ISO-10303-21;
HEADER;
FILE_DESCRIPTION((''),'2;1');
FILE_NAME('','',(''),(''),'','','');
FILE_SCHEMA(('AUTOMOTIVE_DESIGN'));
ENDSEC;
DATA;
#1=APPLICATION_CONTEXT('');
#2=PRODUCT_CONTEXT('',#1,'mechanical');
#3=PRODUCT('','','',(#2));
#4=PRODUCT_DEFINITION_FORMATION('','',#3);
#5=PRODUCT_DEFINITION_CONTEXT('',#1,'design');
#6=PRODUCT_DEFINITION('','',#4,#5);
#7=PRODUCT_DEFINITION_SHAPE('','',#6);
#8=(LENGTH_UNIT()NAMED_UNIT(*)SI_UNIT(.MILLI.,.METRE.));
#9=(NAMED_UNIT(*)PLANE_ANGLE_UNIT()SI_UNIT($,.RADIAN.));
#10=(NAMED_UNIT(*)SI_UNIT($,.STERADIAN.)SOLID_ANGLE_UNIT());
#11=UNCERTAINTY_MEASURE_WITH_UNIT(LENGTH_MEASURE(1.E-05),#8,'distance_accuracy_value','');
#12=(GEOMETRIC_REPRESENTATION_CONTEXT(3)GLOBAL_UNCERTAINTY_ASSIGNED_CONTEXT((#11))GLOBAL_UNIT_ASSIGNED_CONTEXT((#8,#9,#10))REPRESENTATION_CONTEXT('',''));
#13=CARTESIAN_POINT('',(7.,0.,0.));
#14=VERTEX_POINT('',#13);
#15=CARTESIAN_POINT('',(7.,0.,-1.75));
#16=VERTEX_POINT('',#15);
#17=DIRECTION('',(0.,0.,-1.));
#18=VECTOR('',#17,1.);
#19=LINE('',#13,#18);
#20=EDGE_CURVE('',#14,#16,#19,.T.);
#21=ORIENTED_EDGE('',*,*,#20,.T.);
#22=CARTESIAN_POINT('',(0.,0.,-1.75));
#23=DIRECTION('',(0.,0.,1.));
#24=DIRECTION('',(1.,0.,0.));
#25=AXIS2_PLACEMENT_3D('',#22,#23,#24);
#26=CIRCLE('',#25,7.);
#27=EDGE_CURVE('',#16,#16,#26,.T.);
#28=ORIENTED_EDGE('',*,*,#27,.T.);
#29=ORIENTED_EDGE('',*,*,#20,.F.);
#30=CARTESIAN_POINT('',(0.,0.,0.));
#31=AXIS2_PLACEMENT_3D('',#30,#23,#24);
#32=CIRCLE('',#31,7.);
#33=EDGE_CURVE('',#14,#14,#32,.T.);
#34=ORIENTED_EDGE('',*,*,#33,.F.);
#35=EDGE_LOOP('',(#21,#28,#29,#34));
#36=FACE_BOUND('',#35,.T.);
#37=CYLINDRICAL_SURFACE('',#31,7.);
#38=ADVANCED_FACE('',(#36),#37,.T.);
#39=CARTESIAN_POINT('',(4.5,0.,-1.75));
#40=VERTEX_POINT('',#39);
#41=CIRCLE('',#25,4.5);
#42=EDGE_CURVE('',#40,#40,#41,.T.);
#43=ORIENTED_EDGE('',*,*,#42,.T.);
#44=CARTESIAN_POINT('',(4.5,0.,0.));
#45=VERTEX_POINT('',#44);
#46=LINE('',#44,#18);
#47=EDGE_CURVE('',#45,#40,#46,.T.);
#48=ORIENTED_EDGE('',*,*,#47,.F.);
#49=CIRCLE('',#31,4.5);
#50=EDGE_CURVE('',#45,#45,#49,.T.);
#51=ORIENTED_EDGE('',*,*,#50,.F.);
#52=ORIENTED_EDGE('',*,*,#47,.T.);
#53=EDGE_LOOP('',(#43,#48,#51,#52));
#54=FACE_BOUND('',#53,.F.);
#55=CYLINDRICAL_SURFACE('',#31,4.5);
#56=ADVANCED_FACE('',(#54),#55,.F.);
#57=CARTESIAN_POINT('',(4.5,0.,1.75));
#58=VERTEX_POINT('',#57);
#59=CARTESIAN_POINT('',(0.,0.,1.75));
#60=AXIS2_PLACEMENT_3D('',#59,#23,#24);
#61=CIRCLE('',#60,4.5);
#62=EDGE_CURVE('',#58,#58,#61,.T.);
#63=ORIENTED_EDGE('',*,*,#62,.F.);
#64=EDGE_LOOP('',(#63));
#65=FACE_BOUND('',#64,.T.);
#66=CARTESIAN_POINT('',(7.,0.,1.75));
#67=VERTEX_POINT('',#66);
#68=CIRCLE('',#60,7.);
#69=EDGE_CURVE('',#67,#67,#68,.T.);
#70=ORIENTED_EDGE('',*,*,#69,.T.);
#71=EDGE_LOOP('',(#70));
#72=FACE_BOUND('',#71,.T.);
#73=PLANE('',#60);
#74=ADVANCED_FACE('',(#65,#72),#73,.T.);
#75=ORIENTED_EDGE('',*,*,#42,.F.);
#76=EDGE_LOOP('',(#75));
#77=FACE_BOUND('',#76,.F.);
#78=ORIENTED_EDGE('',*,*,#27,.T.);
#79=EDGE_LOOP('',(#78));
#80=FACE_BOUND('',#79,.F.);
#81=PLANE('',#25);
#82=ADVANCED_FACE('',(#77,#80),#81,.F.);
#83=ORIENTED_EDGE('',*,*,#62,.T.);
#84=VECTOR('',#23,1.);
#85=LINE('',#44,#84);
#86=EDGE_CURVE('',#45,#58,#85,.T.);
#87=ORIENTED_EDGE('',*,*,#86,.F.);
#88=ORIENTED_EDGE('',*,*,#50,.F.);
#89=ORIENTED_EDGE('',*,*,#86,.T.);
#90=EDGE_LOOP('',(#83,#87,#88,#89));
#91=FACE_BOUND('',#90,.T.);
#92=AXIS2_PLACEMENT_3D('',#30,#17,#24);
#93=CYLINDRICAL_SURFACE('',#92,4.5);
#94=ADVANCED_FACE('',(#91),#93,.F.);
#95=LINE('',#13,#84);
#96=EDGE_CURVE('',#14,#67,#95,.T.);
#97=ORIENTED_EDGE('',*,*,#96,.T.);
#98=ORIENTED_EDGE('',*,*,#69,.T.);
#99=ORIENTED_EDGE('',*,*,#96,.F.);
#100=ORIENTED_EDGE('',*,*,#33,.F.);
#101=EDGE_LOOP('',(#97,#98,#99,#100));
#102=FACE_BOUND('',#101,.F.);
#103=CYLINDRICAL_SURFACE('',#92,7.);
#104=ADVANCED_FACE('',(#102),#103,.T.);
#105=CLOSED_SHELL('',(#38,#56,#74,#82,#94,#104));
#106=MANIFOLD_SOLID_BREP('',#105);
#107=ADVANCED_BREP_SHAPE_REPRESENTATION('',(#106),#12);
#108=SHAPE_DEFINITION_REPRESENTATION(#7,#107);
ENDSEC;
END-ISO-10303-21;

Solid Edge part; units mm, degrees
sketch "Sketch1" plane through (0, 0, 0) normal (0, 0, 1) x (1, 0, 0)
  circle A0 centre (0, 0) radius 4.5
  circle A1 centre (0, 0) radius 7
  dimension "D1" = 14
  dimension "D2" = 9
extrude "Protrusion1" add sketch "Sketch1" along normal mid plane 3.5
